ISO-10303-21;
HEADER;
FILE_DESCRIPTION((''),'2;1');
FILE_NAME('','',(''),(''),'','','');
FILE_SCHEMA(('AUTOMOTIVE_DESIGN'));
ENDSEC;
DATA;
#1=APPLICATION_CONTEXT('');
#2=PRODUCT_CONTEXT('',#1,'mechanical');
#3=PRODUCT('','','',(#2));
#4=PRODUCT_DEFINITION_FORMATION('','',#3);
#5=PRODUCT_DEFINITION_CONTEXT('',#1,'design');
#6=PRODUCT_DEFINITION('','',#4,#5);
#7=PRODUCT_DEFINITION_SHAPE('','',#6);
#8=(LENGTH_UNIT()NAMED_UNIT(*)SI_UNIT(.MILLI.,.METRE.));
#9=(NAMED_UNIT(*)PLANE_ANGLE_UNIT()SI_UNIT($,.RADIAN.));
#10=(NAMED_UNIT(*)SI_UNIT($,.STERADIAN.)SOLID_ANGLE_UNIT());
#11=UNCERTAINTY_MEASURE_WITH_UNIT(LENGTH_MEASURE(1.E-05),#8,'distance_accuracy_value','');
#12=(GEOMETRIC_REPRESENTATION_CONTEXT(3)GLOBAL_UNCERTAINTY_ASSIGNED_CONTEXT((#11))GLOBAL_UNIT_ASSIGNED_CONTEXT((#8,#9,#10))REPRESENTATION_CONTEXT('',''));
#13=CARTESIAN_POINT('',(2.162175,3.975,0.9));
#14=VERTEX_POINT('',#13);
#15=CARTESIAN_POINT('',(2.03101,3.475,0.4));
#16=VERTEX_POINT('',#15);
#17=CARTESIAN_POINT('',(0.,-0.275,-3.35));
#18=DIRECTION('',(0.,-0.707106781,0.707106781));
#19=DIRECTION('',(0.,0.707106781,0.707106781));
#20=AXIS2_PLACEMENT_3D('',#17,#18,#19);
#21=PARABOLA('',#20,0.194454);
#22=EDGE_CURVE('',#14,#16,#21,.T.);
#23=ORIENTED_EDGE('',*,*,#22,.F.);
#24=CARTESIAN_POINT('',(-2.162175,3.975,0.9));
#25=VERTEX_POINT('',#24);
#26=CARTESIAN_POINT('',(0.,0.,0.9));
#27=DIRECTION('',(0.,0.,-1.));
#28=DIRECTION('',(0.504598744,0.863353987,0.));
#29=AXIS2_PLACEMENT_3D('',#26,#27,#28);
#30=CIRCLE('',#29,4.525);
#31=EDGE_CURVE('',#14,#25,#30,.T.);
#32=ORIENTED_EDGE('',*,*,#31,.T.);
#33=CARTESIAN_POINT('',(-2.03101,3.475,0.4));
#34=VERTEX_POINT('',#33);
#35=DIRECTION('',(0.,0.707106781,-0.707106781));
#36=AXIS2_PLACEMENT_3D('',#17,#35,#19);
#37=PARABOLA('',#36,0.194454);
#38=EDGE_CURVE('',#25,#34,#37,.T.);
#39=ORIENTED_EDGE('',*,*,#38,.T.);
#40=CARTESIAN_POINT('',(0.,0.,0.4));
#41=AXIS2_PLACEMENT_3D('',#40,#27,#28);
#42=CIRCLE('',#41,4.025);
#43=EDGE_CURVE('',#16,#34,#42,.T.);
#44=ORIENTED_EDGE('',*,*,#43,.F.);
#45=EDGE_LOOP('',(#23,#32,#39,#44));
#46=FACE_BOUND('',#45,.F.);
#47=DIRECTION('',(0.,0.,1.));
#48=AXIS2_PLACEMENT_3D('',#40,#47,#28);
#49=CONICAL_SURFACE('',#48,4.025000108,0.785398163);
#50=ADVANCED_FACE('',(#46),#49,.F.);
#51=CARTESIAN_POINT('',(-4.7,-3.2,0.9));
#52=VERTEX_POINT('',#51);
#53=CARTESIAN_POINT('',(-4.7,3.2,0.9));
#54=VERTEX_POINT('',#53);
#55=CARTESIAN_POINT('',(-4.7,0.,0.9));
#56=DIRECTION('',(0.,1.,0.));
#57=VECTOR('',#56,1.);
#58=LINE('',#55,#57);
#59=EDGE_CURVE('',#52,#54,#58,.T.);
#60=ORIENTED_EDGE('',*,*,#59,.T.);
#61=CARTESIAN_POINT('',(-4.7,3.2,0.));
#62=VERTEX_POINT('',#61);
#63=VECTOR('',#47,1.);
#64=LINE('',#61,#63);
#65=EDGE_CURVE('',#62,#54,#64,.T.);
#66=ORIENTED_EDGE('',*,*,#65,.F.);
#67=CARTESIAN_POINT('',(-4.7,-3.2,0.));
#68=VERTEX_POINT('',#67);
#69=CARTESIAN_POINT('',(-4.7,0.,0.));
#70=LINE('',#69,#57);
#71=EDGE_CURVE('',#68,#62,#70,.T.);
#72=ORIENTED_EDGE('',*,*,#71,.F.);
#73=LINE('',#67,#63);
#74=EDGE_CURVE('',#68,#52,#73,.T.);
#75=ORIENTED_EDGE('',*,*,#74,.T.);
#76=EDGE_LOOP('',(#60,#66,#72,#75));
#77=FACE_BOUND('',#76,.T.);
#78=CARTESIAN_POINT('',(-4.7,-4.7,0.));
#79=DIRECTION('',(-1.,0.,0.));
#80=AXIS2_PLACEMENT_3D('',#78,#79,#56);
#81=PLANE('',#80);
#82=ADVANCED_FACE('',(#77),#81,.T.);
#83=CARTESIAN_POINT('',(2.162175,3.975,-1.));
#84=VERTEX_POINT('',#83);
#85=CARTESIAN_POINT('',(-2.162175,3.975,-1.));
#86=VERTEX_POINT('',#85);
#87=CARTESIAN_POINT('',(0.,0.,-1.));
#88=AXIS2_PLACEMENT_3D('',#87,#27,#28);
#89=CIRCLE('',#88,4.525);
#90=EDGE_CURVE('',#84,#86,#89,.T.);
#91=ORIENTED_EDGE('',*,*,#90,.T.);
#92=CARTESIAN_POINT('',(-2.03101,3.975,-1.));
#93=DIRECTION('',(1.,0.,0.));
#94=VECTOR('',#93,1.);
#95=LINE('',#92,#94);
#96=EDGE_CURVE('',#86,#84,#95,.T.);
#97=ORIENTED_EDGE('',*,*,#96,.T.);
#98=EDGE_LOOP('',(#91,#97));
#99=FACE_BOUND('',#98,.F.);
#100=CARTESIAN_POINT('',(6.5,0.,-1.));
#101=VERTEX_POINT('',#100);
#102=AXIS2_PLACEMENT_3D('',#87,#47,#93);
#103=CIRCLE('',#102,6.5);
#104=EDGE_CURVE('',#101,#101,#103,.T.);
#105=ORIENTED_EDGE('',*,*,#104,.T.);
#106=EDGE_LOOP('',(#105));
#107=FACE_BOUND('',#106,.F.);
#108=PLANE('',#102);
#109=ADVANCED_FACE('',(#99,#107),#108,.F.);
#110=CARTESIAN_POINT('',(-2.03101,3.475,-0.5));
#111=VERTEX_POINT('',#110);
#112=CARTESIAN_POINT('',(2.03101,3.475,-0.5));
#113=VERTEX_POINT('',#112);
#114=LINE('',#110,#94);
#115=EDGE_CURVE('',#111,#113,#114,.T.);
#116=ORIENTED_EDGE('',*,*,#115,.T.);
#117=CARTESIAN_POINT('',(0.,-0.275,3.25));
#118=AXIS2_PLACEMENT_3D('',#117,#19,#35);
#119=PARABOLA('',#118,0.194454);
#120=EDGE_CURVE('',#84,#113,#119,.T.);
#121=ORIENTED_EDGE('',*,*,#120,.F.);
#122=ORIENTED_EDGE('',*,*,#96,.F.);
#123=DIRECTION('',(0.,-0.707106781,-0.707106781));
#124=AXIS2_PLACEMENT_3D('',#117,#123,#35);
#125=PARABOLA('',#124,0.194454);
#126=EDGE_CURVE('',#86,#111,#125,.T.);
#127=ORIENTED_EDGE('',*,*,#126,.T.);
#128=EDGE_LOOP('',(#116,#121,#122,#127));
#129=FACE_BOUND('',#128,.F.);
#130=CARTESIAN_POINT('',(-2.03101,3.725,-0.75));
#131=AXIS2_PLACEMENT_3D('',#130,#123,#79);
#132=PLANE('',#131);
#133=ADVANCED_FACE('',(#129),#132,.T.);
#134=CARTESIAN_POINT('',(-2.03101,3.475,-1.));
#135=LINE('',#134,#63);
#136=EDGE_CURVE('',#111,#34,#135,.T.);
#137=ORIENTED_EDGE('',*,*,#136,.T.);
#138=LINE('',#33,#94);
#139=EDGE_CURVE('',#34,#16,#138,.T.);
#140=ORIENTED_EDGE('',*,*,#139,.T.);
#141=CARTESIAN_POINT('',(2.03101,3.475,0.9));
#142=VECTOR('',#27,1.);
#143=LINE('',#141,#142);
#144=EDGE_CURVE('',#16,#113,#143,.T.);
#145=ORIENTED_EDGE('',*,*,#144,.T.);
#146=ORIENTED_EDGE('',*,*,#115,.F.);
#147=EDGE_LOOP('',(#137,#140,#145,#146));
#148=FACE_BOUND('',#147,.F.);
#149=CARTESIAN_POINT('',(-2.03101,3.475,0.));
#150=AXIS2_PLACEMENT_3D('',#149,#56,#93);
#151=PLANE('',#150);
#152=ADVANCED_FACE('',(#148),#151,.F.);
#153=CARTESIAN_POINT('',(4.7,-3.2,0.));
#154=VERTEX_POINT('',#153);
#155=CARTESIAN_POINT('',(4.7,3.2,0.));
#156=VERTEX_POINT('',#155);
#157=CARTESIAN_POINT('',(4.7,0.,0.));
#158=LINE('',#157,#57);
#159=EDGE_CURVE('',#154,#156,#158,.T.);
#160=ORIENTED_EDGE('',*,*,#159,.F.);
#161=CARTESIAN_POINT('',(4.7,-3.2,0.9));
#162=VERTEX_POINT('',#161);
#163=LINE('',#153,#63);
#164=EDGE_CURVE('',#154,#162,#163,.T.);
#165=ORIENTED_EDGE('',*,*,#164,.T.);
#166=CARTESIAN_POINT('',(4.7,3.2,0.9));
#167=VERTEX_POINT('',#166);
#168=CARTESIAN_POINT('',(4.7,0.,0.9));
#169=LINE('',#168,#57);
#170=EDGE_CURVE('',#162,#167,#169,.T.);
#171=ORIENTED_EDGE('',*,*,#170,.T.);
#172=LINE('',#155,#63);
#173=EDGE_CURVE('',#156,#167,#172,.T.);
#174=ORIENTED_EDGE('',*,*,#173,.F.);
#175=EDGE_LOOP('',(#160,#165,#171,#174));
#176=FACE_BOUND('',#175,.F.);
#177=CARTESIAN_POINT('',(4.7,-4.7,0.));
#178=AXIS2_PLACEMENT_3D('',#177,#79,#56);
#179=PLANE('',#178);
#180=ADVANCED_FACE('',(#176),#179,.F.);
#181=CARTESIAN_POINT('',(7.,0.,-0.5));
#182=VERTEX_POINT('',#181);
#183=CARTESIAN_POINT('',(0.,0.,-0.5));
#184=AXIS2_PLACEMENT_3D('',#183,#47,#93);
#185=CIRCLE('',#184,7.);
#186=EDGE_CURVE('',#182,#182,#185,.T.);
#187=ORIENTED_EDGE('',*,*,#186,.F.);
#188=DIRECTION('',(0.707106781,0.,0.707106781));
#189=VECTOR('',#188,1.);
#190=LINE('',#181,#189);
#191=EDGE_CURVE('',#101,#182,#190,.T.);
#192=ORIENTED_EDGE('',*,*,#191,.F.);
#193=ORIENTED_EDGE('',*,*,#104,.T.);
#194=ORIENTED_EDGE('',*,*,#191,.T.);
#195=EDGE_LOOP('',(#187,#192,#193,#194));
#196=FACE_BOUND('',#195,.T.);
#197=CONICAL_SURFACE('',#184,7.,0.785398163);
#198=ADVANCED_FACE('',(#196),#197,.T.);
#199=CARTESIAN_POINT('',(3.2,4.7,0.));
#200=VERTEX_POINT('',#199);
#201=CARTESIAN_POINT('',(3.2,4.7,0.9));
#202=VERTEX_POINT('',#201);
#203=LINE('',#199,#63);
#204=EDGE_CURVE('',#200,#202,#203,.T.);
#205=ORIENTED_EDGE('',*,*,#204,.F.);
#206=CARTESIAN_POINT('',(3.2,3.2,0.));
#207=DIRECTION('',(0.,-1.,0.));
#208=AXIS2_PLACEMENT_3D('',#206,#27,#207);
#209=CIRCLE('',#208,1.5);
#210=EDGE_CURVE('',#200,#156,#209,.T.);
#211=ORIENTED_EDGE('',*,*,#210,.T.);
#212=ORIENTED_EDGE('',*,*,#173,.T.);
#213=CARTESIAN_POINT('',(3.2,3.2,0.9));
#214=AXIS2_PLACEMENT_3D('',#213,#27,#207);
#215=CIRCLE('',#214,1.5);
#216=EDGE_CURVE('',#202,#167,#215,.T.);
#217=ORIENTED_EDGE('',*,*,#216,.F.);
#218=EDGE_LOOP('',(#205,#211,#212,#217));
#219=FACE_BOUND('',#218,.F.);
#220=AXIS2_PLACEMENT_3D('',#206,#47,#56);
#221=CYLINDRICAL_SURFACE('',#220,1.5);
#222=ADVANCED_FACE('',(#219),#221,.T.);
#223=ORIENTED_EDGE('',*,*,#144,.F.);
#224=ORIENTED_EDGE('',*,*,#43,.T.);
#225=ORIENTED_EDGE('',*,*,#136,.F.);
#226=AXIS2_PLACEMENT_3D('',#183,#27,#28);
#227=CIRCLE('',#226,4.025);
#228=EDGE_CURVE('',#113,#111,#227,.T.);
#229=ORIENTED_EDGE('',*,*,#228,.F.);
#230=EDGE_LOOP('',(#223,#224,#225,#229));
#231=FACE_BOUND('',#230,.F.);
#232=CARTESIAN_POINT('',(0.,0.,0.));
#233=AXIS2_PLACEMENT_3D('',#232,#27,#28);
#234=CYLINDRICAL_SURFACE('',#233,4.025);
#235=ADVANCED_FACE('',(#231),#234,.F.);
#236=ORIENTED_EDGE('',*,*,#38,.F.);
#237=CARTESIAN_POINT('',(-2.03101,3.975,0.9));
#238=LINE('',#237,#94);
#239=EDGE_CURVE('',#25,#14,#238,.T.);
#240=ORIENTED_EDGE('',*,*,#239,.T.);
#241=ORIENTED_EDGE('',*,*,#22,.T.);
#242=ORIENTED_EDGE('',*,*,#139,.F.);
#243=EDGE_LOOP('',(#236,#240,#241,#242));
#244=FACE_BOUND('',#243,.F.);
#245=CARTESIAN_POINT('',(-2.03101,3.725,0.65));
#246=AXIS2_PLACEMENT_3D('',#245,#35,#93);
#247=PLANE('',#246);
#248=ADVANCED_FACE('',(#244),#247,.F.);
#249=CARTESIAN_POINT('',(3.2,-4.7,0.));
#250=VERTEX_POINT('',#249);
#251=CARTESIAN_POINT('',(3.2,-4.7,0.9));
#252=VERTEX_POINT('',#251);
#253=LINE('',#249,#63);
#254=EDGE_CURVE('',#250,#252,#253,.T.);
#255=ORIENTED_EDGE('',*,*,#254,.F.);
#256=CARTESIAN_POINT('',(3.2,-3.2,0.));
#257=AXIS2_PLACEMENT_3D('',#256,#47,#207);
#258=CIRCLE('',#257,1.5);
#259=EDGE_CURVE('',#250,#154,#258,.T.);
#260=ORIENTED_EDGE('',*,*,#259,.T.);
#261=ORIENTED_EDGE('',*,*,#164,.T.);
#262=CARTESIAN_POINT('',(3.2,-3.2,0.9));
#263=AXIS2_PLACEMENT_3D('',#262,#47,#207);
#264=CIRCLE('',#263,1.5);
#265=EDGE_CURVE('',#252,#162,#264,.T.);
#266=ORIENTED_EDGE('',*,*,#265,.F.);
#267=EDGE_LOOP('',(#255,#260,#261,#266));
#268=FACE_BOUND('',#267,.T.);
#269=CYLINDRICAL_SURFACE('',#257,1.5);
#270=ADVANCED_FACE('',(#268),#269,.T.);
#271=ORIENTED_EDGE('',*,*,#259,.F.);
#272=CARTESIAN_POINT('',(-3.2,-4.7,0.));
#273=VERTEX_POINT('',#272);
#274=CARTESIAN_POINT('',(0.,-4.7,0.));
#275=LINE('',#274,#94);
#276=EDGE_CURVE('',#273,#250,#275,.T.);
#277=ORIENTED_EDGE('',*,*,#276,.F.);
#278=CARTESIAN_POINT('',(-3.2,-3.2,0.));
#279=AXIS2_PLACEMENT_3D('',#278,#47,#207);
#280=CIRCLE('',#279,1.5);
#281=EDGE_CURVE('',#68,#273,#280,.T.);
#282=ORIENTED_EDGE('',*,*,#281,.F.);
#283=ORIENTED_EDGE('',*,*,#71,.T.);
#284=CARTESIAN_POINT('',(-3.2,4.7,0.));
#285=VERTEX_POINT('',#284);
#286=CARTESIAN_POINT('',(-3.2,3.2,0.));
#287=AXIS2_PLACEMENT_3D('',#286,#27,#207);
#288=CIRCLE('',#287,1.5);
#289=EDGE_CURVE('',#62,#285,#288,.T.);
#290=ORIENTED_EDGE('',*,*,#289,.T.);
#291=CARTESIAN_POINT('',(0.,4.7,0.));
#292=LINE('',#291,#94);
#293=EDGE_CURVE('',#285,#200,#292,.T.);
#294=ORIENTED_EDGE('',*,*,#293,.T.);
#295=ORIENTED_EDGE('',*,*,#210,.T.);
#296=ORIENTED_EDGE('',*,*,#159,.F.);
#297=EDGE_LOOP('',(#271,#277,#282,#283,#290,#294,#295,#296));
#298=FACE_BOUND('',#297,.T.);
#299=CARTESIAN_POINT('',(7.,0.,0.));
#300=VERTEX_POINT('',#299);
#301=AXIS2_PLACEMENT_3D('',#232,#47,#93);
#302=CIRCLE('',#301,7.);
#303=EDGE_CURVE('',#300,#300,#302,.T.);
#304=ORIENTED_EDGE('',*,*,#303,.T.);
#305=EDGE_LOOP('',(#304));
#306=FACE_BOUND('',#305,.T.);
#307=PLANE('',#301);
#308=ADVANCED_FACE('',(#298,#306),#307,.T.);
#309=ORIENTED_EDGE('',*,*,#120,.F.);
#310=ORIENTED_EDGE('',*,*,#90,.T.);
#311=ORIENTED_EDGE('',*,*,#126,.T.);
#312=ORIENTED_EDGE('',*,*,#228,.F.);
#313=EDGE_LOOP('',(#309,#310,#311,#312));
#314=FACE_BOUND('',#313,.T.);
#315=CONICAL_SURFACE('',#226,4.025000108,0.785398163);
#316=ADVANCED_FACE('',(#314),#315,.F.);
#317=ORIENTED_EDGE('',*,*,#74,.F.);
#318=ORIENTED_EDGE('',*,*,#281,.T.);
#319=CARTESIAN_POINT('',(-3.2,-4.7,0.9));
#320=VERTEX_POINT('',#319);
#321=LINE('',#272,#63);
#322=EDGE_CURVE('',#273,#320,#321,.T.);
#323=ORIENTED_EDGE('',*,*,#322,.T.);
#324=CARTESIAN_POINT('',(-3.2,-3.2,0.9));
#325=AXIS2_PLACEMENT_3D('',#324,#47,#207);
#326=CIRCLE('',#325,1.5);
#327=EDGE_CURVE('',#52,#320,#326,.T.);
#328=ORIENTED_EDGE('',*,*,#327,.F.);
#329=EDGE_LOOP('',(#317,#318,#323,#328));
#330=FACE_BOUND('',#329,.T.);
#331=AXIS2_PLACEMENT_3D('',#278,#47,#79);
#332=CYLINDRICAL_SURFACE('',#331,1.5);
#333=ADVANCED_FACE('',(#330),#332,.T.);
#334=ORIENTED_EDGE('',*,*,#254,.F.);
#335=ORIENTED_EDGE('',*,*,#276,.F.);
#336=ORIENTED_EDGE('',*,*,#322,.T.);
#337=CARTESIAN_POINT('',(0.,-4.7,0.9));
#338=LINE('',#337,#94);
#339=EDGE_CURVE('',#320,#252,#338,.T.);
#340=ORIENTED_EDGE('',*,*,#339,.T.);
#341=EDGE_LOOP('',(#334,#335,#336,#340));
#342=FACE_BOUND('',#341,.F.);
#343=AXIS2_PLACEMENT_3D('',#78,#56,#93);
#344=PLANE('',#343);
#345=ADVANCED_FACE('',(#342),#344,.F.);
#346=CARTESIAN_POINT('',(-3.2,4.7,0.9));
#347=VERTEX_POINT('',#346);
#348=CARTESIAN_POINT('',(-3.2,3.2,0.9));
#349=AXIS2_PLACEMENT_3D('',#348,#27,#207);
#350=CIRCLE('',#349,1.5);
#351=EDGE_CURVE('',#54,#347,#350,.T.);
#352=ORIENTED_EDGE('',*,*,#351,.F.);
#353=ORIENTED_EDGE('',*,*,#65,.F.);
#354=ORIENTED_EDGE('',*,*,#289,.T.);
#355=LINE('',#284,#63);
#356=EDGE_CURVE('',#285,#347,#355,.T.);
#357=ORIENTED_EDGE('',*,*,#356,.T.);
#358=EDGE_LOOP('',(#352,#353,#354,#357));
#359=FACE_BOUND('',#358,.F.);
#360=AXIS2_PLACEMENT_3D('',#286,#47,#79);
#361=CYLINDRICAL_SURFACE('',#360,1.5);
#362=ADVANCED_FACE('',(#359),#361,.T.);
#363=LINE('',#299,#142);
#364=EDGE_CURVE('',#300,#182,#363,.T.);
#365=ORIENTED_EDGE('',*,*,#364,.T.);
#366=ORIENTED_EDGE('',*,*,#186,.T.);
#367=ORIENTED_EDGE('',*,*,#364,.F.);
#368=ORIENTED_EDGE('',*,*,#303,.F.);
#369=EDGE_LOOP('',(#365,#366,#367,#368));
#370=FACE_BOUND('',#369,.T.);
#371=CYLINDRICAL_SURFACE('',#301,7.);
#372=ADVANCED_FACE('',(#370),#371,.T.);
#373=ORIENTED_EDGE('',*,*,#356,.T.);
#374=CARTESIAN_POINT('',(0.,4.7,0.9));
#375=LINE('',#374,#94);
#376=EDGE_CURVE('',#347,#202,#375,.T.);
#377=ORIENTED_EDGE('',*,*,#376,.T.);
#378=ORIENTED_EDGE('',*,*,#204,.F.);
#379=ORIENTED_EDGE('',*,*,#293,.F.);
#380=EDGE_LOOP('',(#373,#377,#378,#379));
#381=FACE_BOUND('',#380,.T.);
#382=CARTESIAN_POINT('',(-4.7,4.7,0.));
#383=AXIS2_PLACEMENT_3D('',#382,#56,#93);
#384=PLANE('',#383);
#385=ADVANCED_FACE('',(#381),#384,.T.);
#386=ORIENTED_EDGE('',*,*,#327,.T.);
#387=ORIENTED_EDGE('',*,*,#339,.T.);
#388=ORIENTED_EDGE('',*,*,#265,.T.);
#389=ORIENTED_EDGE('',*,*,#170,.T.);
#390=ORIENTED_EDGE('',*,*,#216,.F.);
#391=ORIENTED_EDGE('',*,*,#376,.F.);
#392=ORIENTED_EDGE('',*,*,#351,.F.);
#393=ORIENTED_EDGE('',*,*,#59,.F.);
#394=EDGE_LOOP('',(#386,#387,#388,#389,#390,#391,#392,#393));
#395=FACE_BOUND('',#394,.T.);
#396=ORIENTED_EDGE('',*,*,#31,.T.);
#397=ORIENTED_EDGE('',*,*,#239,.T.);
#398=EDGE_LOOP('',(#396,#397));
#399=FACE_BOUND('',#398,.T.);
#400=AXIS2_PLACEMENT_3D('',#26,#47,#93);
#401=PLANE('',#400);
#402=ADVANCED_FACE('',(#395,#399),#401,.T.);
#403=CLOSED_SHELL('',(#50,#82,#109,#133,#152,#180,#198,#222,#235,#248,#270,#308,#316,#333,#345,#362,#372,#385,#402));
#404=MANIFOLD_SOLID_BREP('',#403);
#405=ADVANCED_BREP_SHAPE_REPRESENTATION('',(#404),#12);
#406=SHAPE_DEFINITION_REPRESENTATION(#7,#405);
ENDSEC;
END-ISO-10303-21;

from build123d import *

# Parameters (mm, degrees)
F0_R     = 7
F1_DEPTH = 1
F2_W     = 9.4
F2_H     = 9.4
F3_DEPTH = 0.9
F4_SIZE2 = 0.5
F4_SIZE  = 0.5
F5_R     = 1.5


with BuildPart() as f1:
    # F0 (on Top) → F1 (new body)
    with BuildSketch(Plane.XY):
        Circle(F0_R)
        with BuildLine():
            ThreePointArc((2.03101, 3.475), (0, -4.025), (-2.03101, 3.475))
            Line((-2.03101, 3.475), (2.03101, 3.475))
        make_face(mode=Mode.SUBTRACT)
    extrude(amount=-F1_DEPTH)

    # F2 (on face) → F3 (join)
    with BuildSketch(Plane.XY):
        Rectangle(F2_W, F2_H)
        with BuildLine():
            Line((-2.03101, 3.475), (2.03101, 3.475))
            ThreePointArc((2.03101, 3.475), (0, -4.025), (-2.03101, 3.475))
        make_face(mode=Mode.SUBTRACT)
    extrude(amount=F3_DEPTH)

    # F4
    f4_edges = [f1.edges().sort_by_distance(p)[0] for p in [
        (0, -4.025, -1),
        (-7, 0, -1),
        (0, 3.475, -1),
        (0, -4.025, 0.9),
        (0, 3.475, 0.9),
    ]]
    chamfer(f4_edges, length=F4_SIZE, length2=F4_SIZE2)

    # F5
    f5_edges = [f1.edges().sort_by_distance(p)[0] for p in [
        (-4.7, 4.7, 0.45),
        (4.7, 4.7, 0.45),
        (4.7, -4.7, 0.45),
        (-4.7, -4.7, 0.45),
    ]]
    fillet(f5_edges, radius=F5_R)


solid = f1.part
